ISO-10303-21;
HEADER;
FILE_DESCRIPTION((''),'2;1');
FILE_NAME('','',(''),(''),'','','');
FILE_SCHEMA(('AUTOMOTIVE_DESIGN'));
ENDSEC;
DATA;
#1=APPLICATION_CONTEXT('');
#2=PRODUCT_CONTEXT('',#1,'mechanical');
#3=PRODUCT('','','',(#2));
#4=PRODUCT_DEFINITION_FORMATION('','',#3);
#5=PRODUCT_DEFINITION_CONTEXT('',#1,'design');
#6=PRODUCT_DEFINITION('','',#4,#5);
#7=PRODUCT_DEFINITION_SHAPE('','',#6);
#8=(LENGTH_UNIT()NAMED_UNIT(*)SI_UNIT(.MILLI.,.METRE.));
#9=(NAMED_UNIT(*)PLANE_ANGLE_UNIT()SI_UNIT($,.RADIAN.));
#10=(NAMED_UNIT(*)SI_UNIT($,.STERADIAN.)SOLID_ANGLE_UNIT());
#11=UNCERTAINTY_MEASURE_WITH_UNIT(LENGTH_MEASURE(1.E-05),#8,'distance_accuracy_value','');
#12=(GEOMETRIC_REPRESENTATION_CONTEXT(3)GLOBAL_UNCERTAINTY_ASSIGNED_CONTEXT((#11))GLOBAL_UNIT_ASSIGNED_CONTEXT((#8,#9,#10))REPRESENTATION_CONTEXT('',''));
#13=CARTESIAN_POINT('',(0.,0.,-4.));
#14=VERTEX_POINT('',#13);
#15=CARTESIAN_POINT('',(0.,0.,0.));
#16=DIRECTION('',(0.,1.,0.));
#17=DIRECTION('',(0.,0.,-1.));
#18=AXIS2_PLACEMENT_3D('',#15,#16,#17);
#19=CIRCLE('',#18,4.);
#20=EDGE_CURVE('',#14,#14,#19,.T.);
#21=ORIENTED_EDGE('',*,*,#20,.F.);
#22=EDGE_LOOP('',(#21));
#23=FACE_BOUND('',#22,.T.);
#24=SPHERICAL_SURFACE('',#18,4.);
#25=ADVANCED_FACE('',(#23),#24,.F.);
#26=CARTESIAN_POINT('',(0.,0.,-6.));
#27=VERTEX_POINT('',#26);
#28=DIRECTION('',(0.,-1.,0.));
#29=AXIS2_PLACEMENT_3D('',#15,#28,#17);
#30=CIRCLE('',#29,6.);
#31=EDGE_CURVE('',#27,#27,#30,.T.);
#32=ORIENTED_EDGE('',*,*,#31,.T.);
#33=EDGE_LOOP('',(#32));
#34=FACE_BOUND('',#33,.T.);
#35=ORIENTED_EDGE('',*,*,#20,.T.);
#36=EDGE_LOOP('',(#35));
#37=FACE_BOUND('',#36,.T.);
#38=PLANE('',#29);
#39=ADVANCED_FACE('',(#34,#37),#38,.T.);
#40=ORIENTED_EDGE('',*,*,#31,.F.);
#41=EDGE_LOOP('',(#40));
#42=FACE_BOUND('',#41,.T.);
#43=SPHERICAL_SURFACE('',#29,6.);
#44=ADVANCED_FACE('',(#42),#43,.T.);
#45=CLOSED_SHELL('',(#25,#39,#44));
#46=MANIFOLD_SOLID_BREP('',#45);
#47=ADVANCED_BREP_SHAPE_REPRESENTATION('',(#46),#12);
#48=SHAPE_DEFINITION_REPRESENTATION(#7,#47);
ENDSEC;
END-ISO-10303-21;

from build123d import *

# Parameters (mm, degrees)
REVOLVE2_ANGLE = 180


with BuildPart() as part:
    # Sketch1 → Revolve2 (revolve)
    with BuildSketch(Plane(origin=(0, 0, 0), x_dir=(1, 0, 0), z_dir=(0, 1, 0))):
        with BuildLine():
            Line((-4, 0), (-6, 0))
            ThreePointArc((-6, 0), (0, 6), (6, 0))
            Line((6, 0), (4, 0))
            ThreePointArc((4, 0), (0, 4), (-4, 0))
        make_face()
    revolve(axis=Axis((-55, 0, 0), (1, 0, 0)), revolution_arc=REVOLVE2_ANGLE)


solid = part.part
